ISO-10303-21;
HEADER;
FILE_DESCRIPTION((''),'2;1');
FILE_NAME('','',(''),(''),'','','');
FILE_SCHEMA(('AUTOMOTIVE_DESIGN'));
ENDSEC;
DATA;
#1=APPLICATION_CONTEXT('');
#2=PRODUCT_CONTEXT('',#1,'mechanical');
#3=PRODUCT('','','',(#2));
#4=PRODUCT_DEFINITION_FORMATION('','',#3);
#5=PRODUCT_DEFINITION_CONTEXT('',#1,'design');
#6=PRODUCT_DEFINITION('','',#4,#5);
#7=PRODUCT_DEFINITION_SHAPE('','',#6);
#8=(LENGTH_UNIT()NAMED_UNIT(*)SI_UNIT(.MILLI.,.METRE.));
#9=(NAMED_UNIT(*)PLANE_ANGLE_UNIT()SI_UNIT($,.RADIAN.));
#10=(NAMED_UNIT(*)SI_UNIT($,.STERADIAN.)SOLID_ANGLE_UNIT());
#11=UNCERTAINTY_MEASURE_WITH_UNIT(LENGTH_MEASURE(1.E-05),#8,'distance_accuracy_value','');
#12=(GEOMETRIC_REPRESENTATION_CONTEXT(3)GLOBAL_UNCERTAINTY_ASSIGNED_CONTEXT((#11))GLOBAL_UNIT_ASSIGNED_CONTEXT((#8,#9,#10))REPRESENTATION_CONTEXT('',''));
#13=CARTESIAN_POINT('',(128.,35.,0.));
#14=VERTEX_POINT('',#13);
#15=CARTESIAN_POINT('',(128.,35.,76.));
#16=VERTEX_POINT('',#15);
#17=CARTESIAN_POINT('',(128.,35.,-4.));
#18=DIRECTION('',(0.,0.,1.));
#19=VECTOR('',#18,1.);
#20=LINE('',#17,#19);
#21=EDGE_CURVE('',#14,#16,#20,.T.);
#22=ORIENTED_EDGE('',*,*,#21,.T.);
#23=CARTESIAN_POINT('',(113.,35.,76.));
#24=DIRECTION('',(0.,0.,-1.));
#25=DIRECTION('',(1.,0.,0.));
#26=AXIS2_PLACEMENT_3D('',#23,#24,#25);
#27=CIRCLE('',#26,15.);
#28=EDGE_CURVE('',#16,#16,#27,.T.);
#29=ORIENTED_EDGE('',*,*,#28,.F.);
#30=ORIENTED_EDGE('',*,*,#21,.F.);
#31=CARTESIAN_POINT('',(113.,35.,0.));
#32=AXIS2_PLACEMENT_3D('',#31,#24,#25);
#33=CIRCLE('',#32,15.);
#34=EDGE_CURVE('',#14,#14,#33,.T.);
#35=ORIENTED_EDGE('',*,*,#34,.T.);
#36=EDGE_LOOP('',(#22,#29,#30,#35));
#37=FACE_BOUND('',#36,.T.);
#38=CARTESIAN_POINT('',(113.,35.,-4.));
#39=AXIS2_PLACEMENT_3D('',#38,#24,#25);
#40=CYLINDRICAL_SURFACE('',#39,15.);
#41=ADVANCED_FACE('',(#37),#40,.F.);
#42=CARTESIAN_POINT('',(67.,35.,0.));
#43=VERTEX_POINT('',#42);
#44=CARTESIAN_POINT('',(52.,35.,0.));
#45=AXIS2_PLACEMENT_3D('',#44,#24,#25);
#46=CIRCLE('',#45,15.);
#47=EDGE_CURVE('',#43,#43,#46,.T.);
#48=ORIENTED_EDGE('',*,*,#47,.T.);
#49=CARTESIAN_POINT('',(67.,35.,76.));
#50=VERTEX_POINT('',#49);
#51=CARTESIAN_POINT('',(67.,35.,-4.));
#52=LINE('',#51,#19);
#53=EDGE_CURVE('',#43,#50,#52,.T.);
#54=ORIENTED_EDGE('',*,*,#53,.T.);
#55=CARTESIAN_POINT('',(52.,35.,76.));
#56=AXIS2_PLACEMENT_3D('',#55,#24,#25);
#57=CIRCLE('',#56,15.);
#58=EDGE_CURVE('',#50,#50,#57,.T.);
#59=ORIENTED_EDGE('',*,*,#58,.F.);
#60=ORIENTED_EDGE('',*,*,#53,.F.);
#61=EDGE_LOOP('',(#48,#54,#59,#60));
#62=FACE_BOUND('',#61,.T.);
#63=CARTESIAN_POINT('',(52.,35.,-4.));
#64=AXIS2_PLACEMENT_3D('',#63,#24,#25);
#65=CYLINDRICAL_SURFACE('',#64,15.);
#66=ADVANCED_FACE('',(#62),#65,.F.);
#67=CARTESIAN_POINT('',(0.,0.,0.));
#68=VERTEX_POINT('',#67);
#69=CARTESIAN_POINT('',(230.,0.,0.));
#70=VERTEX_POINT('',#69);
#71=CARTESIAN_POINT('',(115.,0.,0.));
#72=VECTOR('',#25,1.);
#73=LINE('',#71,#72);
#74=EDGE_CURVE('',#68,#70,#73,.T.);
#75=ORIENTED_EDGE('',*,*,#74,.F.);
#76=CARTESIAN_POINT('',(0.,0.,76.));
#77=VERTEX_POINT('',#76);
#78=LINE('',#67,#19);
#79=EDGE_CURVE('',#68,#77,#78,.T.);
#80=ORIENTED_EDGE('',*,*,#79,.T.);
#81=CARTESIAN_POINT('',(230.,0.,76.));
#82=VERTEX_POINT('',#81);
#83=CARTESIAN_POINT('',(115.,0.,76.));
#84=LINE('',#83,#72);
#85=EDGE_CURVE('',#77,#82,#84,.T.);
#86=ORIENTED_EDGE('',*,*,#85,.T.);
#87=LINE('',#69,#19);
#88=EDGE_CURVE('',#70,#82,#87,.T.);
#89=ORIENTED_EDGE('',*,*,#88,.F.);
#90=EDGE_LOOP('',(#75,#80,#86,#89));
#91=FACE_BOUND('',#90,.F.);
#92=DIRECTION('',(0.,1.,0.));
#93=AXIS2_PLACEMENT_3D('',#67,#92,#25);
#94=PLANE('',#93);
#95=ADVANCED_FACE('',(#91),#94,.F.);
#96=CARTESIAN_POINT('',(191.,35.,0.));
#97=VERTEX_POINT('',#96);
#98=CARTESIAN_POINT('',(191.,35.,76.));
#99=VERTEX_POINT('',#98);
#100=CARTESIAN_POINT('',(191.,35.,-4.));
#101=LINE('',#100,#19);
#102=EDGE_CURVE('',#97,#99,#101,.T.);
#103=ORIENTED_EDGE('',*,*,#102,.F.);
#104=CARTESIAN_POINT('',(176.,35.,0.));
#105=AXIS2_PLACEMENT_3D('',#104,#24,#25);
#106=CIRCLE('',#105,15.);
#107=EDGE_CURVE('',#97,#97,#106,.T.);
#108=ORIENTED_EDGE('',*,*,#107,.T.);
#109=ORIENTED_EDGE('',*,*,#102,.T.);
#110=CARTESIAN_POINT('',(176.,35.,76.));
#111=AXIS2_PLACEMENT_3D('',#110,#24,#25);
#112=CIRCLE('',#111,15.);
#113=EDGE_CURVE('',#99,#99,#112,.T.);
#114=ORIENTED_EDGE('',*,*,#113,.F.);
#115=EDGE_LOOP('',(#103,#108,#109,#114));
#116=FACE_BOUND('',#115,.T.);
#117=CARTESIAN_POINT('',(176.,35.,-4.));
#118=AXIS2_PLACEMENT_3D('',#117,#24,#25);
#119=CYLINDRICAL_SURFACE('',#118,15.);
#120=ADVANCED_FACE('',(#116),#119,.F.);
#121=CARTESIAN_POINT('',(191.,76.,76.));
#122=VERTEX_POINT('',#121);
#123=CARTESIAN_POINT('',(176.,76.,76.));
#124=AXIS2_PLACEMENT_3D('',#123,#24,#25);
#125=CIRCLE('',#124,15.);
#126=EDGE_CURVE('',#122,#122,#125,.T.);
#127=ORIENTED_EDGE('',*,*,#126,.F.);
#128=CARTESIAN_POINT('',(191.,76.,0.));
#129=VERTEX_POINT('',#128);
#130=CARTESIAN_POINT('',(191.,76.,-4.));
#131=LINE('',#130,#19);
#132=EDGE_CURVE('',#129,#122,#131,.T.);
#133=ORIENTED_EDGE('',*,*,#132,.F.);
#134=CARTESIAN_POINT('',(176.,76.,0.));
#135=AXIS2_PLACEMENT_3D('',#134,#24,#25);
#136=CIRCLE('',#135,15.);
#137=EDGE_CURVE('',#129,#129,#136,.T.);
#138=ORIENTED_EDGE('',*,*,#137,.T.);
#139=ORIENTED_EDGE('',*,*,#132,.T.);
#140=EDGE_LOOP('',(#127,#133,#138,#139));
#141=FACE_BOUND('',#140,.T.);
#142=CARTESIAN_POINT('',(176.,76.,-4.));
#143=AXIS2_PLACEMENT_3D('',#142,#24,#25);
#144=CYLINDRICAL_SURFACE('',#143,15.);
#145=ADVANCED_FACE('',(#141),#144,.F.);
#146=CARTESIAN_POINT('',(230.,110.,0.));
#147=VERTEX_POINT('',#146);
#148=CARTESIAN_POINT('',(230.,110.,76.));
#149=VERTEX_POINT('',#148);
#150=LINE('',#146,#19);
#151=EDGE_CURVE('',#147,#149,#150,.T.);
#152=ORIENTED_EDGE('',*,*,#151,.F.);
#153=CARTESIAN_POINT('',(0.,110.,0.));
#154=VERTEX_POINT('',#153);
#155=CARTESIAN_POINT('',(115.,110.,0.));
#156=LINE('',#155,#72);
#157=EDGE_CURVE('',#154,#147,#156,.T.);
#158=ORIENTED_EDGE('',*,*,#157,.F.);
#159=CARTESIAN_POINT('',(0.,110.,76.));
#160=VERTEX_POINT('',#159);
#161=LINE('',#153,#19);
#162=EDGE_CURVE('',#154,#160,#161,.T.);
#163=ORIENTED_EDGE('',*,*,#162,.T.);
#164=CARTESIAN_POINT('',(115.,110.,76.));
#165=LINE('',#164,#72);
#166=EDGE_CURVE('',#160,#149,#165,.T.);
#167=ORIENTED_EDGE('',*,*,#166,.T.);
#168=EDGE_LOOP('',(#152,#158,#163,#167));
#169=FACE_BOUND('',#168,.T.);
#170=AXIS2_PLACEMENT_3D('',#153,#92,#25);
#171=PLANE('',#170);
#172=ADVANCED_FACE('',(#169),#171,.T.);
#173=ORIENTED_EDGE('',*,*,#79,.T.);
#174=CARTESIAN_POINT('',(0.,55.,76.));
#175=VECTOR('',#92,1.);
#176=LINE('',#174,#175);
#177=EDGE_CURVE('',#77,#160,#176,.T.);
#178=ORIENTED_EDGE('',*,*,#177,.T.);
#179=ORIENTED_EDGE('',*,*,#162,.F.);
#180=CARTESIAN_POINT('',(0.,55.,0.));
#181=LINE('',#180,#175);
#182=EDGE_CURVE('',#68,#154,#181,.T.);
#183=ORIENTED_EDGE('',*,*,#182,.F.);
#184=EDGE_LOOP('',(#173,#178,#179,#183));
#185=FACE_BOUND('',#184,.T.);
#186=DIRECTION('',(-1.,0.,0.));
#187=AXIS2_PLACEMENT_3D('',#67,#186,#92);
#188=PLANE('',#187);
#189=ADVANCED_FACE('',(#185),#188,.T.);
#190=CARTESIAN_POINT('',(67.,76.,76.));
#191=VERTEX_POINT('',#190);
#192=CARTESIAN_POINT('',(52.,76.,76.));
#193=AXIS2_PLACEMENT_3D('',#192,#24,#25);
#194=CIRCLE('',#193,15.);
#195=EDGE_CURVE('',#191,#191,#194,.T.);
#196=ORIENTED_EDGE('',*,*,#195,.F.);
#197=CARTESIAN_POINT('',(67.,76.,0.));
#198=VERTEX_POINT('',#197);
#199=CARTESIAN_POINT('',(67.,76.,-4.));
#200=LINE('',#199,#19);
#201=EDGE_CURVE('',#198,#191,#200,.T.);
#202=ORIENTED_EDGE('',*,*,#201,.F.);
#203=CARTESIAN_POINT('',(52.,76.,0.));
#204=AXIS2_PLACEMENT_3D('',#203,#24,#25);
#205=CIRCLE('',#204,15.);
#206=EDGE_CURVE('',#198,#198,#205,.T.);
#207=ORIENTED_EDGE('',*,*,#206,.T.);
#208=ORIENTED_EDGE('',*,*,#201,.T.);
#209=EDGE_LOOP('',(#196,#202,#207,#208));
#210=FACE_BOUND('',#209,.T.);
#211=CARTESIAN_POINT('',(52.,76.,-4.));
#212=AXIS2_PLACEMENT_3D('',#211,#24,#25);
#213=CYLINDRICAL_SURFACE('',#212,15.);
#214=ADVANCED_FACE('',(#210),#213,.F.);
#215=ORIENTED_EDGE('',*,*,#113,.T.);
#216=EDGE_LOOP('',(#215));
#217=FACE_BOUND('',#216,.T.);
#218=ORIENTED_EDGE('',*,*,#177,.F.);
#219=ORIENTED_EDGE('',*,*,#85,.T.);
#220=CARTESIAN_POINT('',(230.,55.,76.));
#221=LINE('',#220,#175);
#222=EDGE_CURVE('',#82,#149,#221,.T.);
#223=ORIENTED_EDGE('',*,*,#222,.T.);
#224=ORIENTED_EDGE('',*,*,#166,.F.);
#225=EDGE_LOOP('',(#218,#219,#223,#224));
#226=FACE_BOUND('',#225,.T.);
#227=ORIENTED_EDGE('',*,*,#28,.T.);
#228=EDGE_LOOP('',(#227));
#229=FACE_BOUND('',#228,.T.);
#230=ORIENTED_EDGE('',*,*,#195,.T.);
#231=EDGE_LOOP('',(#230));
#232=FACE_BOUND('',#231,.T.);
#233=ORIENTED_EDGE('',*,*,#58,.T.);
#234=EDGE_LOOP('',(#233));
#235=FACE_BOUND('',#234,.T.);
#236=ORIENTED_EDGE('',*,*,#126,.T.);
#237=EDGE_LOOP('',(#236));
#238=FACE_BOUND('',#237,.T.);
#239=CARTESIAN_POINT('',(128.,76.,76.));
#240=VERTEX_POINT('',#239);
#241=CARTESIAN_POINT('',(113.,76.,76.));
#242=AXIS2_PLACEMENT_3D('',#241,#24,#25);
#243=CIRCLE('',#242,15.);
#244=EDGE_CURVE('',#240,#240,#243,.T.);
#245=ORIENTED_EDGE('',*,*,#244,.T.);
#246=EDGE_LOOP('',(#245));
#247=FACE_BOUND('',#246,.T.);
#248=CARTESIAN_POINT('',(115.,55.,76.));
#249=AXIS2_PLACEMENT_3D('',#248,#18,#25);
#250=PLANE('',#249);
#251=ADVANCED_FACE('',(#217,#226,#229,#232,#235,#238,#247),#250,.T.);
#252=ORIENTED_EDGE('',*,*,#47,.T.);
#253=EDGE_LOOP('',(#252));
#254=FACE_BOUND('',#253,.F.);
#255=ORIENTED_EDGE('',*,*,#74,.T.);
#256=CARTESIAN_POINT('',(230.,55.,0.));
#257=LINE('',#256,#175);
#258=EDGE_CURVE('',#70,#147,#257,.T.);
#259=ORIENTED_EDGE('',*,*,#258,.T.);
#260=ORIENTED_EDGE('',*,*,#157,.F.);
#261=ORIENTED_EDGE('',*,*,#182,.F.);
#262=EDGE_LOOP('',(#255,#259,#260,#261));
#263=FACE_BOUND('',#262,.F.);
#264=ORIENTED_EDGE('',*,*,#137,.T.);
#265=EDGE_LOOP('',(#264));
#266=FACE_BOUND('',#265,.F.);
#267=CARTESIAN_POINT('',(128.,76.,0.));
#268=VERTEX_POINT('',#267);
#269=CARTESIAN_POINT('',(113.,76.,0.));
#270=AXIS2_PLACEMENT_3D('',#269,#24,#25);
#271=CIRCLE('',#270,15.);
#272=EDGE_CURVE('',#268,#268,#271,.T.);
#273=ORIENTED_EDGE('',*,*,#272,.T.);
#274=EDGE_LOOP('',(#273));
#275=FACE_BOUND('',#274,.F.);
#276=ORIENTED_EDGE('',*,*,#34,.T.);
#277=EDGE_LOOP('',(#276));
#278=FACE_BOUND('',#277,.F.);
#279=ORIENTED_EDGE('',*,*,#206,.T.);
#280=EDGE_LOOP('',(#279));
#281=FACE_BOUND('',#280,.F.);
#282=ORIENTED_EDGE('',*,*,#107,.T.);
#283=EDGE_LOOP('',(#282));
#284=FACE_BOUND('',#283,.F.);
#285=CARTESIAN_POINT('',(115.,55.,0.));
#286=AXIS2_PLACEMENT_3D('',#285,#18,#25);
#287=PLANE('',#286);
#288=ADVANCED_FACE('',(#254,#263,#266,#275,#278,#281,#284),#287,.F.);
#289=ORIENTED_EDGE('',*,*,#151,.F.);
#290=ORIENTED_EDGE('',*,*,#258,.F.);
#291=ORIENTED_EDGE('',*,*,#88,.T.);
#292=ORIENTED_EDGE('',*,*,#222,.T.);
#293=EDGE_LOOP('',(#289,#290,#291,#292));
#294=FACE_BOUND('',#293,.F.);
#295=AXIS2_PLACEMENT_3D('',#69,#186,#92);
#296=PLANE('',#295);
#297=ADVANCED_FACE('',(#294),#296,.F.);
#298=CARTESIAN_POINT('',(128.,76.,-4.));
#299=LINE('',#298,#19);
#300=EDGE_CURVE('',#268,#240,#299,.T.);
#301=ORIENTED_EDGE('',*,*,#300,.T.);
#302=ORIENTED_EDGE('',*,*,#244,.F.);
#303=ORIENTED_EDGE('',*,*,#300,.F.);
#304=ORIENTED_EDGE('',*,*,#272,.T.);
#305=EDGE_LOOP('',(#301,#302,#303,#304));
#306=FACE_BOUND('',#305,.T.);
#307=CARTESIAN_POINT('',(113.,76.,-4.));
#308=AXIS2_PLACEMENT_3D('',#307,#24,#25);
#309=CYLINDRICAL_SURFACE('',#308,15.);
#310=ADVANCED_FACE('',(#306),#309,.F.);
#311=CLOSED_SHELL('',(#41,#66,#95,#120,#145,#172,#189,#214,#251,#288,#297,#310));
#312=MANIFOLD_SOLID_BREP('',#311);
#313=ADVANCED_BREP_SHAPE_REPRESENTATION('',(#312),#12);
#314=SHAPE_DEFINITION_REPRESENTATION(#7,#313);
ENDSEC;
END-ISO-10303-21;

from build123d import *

# Parameters (mm, degrees)
CYLINDER001_R     = 15
CYLINDER001_DEPTH = 82
CYLINDER002_R     = 15
CYLINDER002_DEPTH = 82
CYLINDER003_R     = 15
CYLINDER003_DEPTH = 82
CYLINDER004_R     = 15
CYLINDER004_DEPTH = 82
CYLINDER005_R     = 15
CYLINDER005_DEPTH = 82
CYLINDER_R        = 15
CYLINDER_DEPTH    = 82
BOX_W             = 230
BOX_H             = 110
BOX_DEPTH         = 76


with BuildPart() as cilindre001:
    # Cylinder001 → Cylinder001 (new body)
    with BuildSketch(Plane(origin=(176, 76, -4), x_dir=(1, 0, 0), z_dir=(0, 0, 1))):
        Circle(CYLINDER001_R)
    extrude(amount=CYLINDER001_DEPTH)


with BuildPart() as cilindre002:
    # Cylinder002 → Cylinder002 (new body)
    with BuildSketch(Plane(origin=(176, 35, -4), x_dir=(1, 0, 0), z_dir=(0, 0, 1))):
        Circle(CYLINDER002_R)
    extrude(amount=CYLINDER002_DEPTH)


with BuildPart() as cilindre003:
    # Cylinder003 → Cylinder003 (new body)
    with BuildSketch(Plane(origin=(113, 76, -4), x_dir=(1, 0, 0), z_dir=(0, 0, 1))):
        Circle(CYLINDER003_R)
    extrude(amount=CYLINDER003_DEPTH)


with BuildPart() as cilindre004:
    # Cylinder004 → Cylinder004 (new body)
    with BuildSketch(Plane(origin=(52, 35, -4), x_dir=(1, 0, 0), z_dir=(0, 0, 1))):
        Circle(CYLINDER004_R)
    extrude(amount=CYLINDER004_DEPTH)


with BuildPart() as cilindre005:
    # Cylinder005 → Cylinder005 (new body)
    with BuildSketch(Plane(origin=(52, 76, -4), x_dir=(1, 0, 0), z_dir=(0, 0, 1))):
        Circle(CYLINDER005_R)
    extrude(amount=CYLINDER005_DEPTH)


with BuildPart() as cilindre:
    # Cylinder → Cylinder (new body)
    with BuildSketch(Plane(origin=(113, 35, -4), x_dir=(1, 0, 0), z_dir=(0, 0, 1))):
        Circle(CYLINDER_R)
    extrude(amount=CYLINDER_DEPTH)


with BuildPart() as cut005:
    # Box → Box (new body)
    with BuildSketch(Plane.XY):
        with Locations((115, 55)):
            Rectangle(BOX_W, BOX_H)
    extrude(amount=BOX_DEPTH)

    # Cut: cut Cilindre
    add(cilindre.part, mode=Mode.SUBTRACT)

    # Cut001: cut Cilindre005
    add(cilindre005.part, mode=Mode.SUBTRACT)

    # Cut002: cut Cilindre004
    add(cilindre004.part, mode=Mode.SUBTRACT)

    # Cut003: cut Cilindre003
    add(cilindre003.part, mode=Mode.SUBTRACT)

    # Cut004: cut Cilindre002
    add(cilindre002.part, mode=Mode.SUBTRACT)

    # Cut005: cut Cilindre001
    add(cilindre001.part, mode=Mode.SUBTRACT)


solid = cut005.part
